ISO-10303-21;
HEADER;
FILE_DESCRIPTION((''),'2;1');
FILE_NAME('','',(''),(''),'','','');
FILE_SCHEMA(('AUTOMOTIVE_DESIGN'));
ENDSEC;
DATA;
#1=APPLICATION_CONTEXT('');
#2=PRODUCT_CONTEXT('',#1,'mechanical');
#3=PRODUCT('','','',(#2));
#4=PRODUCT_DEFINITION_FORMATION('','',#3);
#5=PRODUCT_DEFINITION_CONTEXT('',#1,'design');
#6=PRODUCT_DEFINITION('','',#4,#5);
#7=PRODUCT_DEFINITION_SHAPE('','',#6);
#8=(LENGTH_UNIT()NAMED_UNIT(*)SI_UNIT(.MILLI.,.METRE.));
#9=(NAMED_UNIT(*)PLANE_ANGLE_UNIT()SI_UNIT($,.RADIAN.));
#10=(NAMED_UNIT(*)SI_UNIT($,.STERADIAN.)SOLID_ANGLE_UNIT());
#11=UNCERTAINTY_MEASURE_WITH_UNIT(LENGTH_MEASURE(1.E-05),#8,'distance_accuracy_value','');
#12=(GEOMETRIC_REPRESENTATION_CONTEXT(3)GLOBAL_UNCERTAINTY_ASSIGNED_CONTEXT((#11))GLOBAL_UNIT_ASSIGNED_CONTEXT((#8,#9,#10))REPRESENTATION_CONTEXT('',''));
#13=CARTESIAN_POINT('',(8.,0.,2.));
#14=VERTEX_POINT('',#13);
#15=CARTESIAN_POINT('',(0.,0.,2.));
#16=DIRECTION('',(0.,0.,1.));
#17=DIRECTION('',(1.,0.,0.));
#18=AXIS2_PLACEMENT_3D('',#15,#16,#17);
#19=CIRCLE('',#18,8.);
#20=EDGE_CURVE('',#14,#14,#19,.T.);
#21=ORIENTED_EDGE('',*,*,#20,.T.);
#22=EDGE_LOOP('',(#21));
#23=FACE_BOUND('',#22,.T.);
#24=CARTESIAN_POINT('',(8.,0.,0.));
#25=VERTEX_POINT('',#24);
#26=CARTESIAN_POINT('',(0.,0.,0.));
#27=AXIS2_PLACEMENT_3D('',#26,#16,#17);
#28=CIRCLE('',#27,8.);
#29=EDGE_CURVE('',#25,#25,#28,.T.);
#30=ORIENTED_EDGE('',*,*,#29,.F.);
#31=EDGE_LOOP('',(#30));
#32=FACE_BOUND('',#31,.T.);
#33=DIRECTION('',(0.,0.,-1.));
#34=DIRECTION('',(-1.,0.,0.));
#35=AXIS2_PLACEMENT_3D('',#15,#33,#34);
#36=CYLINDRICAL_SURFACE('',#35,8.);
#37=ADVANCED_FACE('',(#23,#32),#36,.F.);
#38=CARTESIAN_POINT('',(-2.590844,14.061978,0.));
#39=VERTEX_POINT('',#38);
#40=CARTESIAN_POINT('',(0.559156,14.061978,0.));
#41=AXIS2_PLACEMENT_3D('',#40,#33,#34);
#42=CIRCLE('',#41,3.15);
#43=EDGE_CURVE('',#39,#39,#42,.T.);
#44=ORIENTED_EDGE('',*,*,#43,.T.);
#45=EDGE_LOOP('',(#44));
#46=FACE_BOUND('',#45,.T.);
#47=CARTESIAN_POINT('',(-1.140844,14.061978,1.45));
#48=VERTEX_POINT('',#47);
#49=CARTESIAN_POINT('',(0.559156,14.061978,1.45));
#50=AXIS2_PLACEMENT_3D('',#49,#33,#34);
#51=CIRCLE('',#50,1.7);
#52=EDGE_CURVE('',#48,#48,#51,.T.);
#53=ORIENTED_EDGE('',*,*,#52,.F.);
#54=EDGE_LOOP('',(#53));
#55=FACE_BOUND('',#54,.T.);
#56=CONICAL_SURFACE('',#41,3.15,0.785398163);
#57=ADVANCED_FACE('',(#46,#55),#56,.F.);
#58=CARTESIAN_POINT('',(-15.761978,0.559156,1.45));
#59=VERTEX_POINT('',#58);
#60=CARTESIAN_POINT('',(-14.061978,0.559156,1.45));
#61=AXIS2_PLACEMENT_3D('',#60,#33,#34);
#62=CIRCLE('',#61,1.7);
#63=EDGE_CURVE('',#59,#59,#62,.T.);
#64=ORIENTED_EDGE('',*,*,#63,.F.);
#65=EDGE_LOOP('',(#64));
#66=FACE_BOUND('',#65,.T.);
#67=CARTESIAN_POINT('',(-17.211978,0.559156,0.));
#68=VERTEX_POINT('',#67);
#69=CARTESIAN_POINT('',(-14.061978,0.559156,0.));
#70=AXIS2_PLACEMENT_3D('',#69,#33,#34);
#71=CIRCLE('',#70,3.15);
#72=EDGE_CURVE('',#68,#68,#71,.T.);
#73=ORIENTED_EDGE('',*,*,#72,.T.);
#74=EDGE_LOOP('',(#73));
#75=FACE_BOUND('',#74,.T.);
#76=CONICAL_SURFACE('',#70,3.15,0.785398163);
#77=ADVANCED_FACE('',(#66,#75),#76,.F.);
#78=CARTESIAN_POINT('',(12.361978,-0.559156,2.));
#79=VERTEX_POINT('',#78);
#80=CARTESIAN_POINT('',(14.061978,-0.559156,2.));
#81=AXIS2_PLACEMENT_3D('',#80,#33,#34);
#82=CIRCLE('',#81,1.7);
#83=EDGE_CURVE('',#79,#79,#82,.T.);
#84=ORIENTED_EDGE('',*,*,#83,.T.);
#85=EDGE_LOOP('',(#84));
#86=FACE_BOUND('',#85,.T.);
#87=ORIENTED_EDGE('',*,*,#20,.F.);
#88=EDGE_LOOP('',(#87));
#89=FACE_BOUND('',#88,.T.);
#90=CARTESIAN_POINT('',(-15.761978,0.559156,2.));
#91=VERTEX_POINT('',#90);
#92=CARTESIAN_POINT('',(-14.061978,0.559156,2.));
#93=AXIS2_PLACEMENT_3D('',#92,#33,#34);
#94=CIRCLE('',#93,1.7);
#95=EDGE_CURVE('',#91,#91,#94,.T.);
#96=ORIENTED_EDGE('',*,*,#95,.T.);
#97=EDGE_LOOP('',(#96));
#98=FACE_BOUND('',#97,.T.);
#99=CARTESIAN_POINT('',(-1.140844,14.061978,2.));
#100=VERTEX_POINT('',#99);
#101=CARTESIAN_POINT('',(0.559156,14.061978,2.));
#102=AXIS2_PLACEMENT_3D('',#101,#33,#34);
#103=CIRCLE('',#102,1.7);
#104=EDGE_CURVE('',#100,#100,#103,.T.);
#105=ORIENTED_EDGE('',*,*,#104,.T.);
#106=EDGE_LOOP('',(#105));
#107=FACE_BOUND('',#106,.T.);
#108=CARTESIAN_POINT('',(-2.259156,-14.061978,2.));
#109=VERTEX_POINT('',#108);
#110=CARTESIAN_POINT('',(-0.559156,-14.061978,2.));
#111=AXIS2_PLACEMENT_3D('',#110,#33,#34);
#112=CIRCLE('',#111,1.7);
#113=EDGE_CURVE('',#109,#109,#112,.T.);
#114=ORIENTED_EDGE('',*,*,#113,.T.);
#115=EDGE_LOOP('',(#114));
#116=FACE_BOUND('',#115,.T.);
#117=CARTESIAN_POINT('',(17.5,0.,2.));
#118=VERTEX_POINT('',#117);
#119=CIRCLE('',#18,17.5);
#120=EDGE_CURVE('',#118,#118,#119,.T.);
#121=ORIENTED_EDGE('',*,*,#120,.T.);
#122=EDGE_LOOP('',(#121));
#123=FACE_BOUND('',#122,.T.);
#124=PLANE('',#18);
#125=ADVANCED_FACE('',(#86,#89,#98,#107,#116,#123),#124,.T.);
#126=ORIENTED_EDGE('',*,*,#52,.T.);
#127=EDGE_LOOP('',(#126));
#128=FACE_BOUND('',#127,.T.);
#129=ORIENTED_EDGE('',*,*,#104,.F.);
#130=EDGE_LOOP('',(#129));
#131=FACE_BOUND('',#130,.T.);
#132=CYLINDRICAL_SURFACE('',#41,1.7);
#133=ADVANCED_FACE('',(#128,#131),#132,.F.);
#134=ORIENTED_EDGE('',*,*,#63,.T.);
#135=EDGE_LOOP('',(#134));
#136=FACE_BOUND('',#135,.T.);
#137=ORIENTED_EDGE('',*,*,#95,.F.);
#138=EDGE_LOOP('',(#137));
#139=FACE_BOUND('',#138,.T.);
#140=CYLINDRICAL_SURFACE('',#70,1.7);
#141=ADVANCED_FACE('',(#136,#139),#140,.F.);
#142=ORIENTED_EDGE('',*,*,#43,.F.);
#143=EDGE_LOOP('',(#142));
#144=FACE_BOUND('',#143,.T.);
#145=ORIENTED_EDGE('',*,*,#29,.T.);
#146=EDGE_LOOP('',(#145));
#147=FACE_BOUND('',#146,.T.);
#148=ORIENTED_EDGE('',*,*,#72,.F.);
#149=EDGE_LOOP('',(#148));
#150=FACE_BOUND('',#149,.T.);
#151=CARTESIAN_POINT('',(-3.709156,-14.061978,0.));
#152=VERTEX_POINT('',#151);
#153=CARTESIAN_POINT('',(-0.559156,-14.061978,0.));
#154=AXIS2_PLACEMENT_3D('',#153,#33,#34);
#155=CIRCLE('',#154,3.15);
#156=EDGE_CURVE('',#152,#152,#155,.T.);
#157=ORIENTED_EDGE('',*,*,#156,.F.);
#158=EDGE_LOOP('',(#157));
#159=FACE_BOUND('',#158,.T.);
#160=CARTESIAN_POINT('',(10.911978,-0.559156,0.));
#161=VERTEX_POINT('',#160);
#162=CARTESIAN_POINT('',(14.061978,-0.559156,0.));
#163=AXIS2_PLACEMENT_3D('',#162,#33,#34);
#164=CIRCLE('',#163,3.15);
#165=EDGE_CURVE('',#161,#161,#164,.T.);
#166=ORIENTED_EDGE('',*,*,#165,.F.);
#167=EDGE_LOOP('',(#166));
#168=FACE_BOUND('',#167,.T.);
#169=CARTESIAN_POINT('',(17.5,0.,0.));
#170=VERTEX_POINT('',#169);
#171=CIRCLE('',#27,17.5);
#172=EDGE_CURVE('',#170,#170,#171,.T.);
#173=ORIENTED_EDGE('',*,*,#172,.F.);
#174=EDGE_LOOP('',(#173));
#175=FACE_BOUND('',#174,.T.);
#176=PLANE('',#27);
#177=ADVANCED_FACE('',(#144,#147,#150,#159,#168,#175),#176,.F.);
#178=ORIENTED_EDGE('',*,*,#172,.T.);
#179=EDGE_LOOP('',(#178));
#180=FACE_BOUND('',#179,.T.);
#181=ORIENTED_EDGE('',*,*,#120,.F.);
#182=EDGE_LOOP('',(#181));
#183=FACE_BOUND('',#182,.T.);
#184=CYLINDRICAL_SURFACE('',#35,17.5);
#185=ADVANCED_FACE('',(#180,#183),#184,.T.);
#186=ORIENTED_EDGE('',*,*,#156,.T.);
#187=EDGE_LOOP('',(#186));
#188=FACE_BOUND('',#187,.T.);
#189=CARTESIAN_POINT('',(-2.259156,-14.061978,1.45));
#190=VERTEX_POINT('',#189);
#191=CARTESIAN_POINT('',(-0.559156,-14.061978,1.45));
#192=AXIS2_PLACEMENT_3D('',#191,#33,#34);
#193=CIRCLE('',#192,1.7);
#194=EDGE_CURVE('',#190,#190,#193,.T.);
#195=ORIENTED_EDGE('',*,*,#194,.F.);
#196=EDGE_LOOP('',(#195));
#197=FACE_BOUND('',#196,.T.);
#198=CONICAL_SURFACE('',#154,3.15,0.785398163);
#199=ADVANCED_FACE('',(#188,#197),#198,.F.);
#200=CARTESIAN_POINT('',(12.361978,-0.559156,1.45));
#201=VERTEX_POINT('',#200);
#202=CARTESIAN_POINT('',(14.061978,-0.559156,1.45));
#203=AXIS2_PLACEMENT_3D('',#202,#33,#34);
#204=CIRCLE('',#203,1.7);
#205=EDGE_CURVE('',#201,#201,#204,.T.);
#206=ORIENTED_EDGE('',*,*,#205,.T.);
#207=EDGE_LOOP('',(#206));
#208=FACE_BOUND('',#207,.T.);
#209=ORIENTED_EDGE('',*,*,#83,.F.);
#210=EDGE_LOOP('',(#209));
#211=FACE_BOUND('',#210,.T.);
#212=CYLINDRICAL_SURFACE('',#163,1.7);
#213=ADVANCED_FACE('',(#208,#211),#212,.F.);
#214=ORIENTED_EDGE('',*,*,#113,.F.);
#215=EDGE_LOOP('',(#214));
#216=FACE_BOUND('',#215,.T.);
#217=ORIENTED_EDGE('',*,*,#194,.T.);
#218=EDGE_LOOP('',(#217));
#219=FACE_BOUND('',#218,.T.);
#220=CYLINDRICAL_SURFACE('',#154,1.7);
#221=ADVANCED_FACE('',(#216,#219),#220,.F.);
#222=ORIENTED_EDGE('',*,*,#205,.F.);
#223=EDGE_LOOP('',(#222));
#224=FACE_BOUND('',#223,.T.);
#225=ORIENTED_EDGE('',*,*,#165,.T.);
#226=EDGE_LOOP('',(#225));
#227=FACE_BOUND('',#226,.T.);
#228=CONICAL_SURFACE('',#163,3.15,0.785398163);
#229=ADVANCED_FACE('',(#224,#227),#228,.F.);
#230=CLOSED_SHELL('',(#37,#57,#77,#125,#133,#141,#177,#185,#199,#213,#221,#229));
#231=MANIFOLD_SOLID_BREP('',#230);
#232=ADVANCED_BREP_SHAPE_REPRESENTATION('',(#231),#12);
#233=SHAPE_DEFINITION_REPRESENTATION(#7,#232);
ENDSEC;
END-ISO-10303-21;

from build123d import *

# Parameters (mm, degrees)
SKETCH1_R                                    = 17.5
SKETCH1_R_2                                  = 8
BOSS_EXTRUDE1_DEPTH                          = 2
CSK_FOR_M3_COUNTERSUNK_FLAT_HEAD_SCR_2_COUNT = 2
CSK_FOR_M3_COUNTERSUNK_FLAT_HEAD_SCR_2_PITCH = 19.902355243
CSK_FOR_M3_COUNTERSUNK_FLAT_HEAD_SCR_3_COUNT = 2
CSK_FOR_M3_COUNTERSUNK_FLAT_HEAD_SCR_3_PITCH = 28.146180708
CSK_FOR_M3_COUNTERSUNK_FLAT_HEAD_SCR_4_COUNT = 2
CSK_FOR_M3_COUNTERSUNK_FLAT_HEAD_SCR_4_PITCH = 19.902355243


with BuildPart() as part:
    # Sketch1 → Boss-Extrude1 (new body)
    with BuildSketch(Plane.XY):
        Circle(SKETCH1_R)
        Circle(SKETCH1_R_2, mode=Mode.SUBTRACT)
    extrude(amount=BOSS_EXTRUDE1_DEPTH)

    # Sketch3 → CSK for M3 Countersunk Flat Head Screw1 (revolve, cut)
    with BuildSketch(Plane(origin=(0.559155654, 14.061977708, 0), x_dir=(0, 1, 0), z_dir=(1, 0, 0))):
        Polygon((0, 0), (0, 2), (1.7, 2), (1.7, 1.45), (3.15, 0), align=None)
    csk_for_m3_countersunk_flat_head_screw1 = revolve(axis=Axis((0.559155654, 14.061977708, -6.35), (0, 0, 1)), mode=Mode.SUBTRACT)

    # CSK for M3 Countersunk Flat Head Scr 2: CSK for M3 Countersunk Flat Head Screw1 ×2
    with Locations(*[Vector(-0.7346433717813886, -0.6784534739373604, 0) * (i * CSK_FOR_M3_COUNTERSUNK_FLAT_HEAD_SCR_2_PITCH) for i in range(1, CSK_FOR_M3_COUNTERSUNK_FLAT_HEAD_SCR_2_COUNT)]):
        add(csk_for_m3_countersunk_flat_head_screw1, mode=Mode.SUBTRACT)

    # CSK for M3 Countersunk Flat Head Scr 3: CSK for M3 Countersunk Flat Head Screw1 ×2
    with Locations(*[Vector(-0.03973225779969332, -0.9992103620810479, 0) * (i * CSK_FOR_M3_COUNTERSUNK_FLAT_HEAD_SCR_3_PITCH) for i in range(1, CSK_FOR_M3_COUNTERSUNK_FLAT_HEAD_SCR_3_COUNT)]):
        add(csk_for_m3_countersunk_flat_head_screw1, mode=Mode.SUBTRACT)

    # CSK for M3 Countersunk Flat Head Scr 4: CSK for M3 Countersunk Flat Head Screw1 ×2
    with Locations(*[Vector(0.6784534739373631, -0.7346433717813861, 0) * (i * CSK_FOR_M3_COUNTERSUNK_FLAT_HEAD_SCR_4_PITCH) for i in range(1, CSK_FOR_M3_COUNTERSUNK_FLAT_HEAD_SCR_4_COUNT)]):
        add(csk_for_m3_countersunk_flat_head_screw1, mode=Mode.SUBTRACT)


solid = part.part
